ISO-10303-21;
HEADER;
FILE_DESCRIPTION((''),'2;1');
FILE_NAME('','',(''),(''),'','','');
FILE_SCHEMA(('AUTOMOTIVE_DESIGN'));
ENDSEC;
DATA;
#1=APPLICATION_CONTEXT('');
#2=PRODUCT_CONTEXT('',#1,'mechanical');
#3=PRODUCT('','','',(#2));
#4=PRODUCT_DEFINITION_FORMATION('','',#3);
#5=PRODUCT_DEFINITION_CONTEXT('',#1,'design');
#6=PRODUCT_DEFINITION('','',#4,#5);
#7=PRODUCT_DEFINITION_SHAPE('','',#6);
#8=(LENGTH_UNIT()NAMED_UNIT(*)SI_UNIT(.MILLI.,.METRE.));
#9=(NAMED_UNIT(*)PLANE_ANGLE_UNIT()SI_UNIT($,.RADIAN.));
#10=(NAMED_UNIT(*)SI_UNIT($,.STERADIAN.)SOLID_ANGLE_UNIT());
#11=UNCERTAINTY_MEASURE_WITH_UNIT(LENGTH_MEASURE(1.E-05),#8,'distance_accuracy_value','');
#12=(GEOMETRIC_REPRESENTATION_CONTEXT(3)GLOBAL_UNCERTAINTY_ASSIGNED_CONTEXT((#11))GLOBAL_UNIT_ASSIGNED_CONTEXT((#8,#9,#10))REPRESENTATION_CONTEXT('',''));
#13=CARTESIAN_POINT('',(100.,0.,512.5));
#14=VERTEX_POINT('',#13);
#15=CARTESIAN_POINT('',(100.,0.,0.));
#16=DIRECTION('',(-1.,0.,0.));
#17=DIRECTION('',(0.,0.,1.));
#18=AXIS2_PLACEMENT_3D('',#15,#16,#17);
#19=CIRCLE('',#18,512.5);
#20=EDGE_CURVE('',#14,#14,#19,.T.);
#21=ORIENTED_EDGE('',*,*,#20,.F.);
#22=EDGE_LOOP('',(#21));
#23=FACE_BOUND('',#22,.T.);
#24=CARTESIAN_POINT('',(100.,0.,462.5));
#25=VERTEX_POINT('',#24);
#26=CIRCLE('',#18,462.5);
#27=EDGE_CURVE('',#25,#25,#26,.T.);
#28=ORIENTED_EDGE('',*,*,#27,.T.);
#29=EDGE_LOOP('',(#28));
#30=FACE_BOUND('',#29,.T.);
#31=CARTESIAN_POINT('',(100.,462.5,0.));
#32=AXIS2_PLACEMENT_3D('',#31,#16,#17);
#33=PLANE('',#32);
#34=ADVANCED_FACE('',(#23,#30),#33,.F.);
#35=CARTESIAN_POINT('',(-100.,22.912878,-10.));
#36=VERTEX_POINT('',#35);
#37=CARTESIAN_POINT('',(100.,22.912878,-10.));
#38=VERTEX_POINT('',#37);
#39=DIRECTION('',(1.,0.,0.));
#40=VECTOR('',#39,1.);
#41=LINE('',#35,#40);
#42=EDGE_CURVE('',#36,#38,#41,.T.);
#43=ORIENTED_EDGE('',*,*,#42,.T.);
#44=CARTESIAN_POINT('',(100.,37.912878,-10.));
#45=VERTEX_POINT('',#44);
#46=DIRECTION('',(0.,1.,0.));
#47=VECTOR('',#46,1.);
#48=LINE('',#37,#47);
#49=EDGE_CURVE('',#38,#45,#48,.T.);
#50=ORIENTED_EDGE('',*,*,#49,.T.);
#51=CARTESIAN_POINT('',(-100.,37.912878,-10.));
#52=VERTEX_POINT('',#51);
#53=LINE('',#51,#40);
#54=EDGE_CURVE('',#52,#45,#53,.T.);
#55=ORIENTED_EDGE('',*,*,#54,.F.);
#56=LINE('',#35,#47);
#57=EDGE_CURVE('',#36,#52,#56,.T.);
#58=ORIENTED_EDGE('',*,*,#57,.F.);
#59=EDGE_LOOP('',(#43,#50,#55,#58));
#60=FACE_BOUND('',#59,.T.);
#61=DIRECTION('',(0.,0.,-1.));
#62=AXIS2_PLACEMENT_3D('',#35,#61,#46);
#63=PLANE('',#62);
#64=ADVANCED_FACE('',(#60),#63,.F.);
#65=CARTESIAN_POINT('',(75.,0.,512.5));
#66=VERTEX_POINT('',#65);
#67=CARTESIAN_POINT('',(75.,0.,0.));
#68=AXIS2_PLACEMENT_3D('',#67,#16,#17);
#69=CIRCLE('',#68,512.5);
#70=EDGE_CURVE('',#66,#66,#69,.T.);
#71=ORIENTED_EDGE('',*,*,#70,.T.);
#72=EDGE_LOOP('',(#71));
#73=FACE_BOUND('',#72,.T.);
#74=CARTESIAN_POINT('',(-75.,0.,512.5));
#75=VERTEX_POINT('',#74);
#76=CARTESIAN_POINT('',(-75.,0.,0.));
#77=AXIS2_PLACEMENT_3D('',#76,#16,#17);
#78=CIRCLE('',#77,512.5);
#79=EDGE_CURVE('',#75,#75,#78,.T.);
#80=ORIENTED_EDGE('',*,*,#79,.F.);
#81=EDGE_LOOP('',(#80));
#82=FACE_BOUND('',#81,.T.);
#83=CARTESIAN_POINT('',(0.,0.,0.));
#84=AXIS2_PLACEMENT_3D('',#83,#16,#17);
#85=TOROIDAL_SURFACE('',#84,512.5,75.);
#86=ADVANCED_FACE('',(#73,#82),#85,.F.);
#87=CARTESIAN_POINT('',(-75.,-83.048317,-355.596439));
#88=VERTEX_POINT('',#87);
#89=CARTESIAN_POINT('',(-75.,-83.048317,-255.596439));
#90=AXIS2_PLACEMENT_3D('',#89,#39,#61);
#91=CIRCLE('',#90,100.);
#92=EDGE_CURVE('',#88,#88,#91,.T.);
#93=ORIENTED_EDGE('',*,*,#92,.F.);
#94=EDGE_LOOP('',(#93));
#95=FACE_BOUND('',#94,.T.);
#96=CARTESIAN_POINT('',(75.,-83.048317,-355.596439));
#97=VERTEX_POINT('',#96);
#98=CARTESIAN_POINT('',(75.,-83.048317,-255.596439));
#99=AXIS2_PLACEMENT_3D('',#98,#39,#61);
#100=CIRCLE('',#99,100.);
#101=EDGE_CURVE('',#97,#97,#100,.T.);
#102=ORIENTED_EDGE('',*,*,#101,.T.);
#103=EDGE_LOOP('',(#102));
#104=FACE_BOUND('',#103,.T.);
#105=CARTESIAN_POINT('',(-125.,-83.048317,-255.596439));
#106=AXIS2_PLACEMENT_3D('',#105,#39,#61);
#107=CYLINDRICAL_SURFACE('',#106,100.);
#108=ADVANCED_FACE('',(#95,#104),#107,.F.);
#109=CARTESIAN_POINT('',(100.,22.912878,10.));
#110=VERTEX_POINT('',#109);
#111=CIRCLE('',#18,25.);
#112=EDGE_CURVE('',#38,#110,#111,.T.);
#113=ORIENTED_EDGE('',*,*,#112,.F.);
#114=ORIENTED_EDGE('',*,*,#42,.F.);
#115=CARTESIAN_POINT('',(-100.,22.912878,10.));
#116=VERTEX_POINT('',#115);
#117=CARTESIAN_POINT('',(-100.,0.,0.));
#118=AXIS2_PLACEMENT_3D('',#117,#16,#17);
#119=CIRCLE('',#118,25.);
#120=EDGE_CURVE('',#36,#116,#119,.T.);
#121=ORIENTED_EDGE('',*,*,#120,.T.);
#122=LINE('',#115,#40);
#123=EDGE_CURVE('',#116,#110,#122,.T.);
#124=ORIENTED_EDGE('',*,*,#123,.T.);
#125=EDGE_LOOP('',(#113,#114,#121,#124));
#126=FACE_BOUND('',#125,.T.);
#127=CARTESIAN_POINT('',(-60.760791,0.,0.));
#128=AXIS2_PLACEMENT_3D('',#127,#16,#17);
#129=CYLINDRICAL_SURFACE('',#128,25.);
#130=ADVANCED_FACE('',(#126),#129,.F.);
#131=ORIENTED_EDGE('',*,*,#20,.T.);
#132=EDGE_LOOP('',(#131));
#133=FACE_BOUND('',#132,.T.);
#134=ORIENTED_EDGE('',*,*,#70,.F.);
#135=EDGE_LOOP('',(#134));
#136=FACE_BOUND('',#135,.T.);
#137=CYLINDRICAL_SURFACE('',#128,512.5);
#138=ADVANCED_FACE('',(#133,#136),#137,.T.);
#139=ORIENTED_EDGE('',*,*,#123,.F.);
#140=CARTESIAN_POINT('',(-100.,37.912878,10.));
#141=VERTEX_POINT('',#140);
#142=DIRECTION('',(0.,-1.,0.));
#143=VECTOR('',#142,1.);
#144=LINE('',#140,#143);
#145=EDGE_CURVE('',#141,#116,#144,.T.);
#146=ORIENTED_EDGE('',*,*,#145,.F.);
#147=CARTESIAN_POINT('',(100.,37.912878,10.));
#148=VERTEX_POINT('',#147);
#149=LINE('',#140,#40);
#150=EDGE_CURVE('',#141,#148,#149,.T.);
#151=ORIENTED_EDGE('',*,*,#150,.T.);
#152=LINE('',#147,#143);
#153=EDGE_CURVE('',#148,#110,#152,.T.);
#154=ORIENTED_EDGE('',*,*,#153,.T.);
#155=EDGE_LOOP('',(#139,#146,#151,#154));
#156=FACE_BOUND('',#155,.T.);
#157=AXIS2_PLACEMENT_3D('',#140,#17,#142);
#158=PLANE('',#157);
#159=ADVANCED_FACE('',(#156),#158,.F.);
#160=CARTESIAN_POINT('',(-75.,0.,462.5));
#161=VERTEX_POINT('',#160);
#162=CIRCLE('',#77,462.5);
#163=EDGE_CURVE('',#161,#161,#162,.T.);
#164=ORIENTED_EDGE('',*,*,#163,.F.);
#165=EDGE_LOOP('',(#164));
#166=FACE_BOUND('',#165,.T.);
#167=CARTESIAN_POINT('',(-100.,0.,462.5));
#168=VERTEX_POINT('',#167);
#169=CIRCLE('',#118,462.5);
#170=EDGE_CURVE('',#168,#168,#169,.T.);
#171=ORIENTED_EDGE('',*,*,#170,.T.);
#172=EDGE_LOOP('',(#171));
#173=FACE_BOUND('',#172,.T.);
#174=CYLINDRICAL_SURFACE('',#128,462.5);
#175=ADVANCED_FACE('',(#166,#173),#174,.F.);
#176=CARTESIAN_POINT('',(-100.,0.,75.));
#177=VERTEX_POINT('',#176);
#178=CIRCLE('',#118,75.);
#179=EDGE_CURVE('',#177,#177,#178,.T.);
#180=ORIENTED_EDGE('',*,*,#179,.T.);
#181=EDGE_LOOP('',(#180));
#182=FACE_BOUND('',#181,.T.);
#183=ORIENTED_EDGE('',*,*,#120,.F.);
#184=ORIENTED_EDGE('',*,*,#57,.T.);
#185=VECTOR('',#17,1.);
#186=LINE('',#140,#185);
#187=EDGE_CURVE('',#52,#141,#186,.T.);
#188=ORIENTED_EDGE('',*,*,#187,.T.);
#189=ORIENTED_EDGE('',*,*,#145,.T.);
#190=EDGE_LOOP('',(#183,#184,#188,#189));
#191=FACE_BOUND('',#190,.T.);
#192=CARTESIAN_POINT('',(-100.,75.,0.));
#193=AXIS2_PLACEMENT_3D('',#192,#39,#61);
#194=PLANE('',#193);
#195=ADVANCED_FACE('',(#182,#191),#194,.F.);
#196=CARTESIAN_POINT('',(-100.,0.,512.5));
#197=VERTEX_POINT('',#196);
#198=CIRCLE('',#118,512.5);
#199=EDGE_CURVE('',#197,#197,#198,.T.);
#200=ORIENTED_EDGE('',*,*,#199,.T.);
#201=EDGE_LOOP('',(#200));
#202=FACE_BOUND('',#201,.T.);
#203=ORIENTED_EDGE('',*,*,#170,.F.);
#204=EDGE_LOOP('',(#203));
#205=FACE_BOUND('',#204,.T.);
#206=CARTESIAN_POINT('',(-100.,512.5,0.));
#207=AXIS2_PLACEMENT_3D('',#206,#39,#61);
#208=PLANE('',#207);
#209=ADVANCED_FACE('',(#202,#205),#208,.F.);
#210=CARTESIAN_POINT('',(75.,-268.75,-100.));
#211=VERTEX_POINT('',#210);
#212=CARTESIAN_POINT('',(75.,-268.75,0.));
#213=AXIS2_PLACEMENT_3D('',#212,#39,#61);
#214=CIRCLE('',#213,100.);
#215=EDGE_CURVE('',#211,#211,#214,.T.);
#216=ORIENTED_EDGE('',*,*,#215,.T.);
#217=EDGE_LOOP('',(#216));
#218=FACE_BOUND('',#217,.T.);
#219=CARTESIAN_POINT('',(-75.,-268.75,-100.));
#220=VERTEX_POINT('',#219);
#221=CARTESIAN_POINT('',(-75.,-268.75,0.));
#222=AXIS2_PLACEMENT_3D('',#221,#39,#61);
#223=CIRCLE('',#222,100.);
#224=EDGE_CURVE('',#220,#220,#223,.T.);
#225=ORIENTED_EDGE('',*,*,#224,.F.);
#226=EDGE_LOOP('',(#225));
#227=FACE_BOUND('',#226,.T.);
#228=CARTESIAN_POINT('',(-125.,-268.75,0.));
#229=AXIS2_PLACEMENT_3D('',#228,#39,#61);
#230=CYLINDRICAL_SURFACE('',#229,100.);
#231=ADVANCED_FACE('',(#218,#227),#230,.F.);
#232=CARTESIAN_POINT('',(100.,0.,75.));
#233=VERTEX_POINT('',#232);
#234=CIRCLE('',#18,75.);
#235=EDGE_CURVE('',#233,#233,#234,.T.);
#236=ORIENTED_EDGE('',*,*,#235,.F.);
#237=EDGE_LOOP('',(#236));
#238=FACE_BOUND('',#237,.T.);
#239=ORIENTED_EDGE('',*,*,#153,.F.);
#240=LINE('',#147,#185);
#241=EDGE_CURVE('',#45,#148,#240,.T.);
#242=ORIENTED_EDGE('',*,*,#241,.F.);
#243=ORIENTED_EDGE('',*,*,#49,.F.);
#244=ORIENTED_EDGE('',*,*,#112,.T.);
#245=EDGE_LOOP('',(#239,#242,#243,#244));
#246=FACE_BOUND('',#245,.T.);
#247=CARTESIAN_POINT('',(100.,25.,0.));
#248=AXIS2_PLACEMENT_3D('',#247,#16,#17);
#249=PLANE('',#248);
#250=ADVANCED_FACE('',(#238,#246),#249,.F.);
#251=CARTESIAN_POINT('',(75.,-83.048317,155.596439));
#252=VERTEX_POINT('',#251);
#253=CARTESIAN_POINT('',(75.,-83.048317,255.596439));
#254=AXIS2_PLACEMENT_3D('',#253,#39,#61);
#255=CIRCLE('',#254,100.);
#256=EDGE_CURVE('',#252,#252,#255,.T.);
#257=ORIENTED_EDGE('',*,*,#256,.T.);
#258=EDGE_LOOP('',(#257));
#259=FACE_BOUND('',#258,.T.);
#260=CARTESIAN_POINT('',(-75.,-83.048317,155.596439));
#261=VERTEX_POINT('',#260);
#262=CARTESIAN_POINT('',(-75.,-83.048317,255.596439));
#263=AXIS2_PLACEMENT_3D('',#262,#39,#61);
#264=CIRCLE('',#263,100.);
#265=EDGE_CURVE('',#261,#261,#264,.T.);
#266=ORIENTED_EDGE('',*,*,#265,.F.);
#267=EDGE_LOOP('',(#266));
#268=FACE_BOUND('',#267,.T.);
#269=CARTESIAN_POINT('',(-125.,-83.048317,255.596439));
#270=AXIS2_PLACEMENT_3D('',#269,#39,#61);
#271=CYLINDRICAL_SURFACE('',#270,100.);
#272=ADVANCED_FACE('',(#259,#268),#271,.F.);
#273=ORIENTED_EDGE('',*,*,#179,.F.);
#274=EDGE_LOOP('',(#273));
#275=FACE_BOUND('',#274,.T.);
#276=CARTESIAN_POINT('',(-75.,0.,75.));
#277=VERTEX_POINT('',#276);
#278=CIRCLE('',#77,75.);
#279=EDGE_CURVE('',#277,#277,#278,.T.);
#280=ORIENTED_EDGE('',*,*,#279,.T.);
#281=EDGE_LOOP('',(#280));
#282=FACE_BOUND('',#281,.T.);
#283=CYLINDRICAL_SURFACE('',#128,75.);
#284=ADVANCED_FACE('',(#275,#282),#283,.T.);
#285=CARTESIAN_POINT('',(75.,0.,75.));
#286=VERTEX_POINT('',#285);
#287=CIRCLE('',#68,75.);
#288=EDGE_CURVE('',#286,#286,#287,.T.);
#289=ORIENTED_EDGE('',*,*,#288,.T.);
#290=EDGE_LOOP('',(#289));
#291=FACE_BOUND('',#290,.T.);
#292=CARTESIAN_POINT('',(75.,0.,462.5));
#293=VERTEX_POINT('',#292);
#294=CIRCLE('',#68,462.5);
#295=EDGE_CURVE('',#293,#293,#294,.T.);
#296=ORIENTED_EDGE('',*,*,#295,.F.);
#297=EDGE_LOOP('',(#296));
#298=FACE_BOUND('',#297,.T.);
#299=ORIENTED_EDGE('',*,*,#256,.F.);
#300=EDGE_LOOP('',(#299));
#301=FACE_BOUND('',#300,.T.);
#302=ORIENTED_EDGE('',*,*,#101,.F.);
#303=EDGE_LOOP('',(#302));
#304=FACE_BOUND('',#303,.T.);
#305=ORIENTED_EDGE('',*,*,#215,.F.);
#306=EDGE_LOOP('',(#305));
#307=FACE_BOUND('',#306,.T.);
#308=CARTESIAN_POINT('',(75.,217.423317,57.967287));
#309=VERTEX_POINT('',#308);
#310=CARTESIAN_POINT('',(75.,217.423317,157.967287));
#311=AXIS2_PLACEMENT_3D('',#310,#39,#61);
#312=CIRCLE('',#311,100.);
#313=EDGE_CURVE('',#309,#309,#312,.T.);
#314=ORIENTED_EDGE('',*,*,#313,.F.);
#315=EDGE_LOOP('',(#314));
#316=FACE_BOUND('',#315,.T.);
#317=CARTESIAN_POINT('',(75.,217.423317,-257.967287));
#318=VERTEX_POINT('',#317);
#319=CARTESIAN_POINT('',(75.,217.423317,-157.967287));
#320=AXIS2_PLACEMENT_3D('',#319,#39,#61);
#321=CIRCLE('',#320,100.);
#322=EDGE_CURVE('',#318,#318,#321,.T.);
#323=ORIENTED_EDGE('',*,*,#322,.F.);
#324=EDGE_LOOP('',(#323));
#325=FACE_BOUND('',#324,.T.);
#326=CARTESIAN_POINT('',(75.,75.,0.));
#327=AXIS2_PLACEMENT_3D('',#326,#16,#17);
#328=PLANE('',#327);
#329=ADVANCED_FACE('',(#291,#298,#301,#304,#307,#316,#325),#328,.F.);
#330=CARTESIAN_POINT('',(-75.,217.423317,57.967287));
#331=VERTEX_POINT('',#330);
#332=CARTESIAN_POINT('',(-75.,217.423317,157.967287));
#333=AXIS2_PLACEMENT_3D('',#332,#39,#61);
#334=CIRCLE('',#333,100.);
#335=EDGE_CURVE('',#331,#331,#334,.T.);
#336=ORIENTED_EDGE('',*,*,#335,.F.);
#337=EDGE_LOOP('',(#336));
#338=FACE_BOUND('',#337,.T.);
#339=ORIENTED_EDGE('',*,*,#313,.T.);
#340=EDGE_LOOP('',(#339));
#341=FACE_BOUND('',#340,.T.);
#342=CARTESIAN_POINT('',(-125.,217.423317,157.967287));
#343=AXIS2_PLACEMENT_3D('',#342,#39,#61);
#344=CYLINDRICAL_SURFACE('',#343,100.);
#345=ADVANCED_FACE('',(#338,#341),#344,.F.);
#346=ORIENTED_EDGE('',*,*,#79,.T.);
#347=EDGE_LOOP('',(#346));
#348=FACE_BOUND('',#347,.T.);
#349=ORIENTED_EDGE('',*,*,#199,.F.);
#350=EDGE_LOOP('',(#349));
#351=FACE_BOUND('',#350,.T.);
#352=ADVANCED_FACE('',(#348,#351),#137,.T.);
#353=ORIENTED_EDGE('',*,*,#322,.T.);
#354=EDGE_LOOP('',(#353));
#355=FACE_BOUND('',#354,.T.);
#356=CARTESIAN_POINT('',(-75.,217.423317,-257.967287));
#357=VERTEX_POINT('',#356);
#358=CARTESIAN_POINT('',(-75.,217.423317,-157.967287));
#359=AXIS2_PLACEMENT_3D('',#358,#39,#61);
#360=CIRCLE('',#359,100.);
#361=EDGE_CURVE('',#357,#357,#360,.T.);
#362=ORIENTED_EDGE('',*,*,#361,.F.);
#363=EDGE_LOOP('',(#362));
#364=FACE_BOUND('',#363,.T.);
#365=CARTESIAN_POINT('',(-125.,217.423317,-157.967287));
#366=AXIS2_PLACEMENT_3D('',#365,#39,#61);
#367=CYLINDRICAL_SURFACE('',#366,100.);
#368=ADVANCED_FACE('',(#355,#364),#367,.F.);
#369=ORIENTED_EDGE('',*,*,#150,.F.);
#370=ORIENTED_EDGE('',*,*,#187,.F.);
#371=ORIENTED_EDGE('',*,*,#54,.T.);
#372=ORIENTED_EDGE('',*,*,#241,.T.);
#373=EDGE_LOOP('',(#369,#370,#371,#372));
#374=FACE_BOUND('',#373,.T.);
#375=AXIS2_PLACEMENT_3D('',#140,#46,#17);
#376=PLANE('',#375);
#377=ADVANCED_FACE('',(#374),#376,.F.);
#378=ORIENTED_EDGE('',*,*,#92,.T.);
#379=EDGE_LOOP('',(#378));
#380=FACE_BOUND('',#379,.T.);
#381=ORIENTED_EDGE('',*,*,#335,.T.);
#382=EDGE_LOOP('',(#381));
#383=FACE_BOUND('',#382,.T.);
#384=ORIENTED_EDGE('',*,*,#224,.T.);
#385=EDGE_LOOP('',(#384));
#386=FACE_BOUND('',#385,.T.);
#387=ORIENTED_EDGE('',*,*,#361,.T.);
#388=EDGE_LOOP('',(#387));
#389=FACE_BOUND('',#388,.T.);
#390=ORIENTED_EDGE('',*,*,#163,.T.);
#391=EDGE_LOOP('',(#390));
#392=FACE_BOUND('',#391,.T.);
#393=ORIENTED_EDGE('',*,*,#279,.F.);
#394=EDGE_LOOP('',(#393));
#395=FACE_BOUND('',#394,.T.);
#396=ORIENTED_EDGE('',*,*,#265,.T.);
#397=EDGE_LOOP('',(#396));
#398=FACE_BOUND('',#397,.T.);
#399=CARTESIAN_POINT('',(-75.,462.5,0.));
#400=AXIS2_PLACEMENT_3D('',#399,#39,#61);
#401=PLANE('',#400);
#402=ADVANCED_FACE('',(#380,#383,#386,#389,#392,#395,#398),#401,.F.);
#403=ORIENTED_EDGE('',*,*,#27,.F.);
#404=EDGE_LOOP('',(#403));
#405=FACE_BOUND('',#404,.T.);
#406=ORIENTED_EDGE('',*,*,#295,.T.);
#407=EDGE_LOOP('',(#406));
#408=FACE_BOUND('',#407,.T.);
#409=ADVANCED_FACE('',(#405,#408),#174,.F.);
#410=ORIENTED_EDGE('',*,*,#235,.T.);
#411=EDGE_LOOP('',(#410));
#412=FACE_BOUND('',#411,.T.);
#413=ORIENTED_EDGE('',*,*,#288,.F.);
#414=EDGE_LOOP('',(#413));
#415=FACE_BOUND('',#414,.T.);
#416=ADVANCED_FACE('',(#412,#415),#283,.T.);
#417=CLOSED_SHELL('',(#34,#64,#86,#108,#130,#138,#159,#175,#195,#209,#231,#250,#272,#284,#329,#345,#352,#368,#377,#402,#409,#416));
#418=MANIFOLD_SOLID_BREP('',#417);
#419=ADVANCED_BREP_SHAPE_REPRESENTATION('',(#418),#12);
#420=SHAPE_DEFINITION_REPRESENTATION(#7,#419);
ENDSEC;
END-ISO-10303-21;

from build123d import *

# Parameters (mm, degrees)
SKETCH2_W          = 20
SKETCH2_H          = 15
CUT_EXTRUDE1_DEPTH = 200
SKETCH3_R          = 100
CUT_EXTRUDE2_DEPTH = 200


with BuildPart() as part:
    # Sketch1 → Revolve2 (revolve)
    with BuildSketch(Plane.XY, mode=Mode.PRIVATE) as revolve2_sk:
        with BuildLine():
            Line((-75, 25), (75, 25))
            Line((75, 25), (100, 25))
            Line((100, 25), (100, 75))
            Line((100, 75), (75, 75))
            Line((75, 75), (75, 462.5))
            Line((75, 462.5), (100, 462.5))
            Line((100, 462.5), (100, 512.5))
            Line((100, 512.5), (75, 512.5))
            ThreePointArc((75, 512.5), (0, 437.5), (-75, 512.5))
            Line((-75, 512.5), (-100, 512.5))
            Line((-100, 512.5), (-100, 462.5))
            Line((-100, 462.5), (-75, 462.5))
            Line((-75, 462.5), (-75, 75))
            Line((-75, 75), (-100, 75))
            Line((-100, 75), (-100, 25))
            Line((-100, 25), (-75, 25))
        make_face()
    revolve(revolve2_sk.sketch.rotate(Axis((-60.76079066, 0, 0), (1, 0, 0)), 90), axis=Axis((-60.76079066, 0, 0), (1, 0, 0)))

    # Sketch2 → Cut-Extrude1 (cut)
    with BuildSketch(Plane(origin=(100, 0, 0), x_dir=(0, 0, -1), z_dir=(1, 0, 0))):
        with Locations((0, 30.412878475)):
            Rectangle(SKETCH2_W, SKETCH2_H)
    extrude(amount=-CUT_EXTRUDE1_DEPTH, mode=Mode.SUBTRACT)

    # Sketch3 → Cut-Extrude2 (cut)
    with BuildSketch(Plane(origin=(75, 0, 0), x_dir=(0, 0, -1), z_dir=(1, 0, 0))):
        with Locations((0, -268.75)):
            Circle(SKETCH3_R)
        with Locations((-255.596438754, -83.048317238)):
            Circle(SKETCH3_R)
        with Locations((-157.967286554, 217.423317238)):
            Circle(SKETCH3_R)
        with Locations((157.967286554, 217.423317238)):
            Circle(SKETCH3_R)
        with Locations((255.596438754, -83.048317238)):
            Circle(SKETCH3_R)
    extrude(amount=-CUT_EXTRUDE2_DEPTH, mode=Mode.SUBTRACT)


solid = part.part
